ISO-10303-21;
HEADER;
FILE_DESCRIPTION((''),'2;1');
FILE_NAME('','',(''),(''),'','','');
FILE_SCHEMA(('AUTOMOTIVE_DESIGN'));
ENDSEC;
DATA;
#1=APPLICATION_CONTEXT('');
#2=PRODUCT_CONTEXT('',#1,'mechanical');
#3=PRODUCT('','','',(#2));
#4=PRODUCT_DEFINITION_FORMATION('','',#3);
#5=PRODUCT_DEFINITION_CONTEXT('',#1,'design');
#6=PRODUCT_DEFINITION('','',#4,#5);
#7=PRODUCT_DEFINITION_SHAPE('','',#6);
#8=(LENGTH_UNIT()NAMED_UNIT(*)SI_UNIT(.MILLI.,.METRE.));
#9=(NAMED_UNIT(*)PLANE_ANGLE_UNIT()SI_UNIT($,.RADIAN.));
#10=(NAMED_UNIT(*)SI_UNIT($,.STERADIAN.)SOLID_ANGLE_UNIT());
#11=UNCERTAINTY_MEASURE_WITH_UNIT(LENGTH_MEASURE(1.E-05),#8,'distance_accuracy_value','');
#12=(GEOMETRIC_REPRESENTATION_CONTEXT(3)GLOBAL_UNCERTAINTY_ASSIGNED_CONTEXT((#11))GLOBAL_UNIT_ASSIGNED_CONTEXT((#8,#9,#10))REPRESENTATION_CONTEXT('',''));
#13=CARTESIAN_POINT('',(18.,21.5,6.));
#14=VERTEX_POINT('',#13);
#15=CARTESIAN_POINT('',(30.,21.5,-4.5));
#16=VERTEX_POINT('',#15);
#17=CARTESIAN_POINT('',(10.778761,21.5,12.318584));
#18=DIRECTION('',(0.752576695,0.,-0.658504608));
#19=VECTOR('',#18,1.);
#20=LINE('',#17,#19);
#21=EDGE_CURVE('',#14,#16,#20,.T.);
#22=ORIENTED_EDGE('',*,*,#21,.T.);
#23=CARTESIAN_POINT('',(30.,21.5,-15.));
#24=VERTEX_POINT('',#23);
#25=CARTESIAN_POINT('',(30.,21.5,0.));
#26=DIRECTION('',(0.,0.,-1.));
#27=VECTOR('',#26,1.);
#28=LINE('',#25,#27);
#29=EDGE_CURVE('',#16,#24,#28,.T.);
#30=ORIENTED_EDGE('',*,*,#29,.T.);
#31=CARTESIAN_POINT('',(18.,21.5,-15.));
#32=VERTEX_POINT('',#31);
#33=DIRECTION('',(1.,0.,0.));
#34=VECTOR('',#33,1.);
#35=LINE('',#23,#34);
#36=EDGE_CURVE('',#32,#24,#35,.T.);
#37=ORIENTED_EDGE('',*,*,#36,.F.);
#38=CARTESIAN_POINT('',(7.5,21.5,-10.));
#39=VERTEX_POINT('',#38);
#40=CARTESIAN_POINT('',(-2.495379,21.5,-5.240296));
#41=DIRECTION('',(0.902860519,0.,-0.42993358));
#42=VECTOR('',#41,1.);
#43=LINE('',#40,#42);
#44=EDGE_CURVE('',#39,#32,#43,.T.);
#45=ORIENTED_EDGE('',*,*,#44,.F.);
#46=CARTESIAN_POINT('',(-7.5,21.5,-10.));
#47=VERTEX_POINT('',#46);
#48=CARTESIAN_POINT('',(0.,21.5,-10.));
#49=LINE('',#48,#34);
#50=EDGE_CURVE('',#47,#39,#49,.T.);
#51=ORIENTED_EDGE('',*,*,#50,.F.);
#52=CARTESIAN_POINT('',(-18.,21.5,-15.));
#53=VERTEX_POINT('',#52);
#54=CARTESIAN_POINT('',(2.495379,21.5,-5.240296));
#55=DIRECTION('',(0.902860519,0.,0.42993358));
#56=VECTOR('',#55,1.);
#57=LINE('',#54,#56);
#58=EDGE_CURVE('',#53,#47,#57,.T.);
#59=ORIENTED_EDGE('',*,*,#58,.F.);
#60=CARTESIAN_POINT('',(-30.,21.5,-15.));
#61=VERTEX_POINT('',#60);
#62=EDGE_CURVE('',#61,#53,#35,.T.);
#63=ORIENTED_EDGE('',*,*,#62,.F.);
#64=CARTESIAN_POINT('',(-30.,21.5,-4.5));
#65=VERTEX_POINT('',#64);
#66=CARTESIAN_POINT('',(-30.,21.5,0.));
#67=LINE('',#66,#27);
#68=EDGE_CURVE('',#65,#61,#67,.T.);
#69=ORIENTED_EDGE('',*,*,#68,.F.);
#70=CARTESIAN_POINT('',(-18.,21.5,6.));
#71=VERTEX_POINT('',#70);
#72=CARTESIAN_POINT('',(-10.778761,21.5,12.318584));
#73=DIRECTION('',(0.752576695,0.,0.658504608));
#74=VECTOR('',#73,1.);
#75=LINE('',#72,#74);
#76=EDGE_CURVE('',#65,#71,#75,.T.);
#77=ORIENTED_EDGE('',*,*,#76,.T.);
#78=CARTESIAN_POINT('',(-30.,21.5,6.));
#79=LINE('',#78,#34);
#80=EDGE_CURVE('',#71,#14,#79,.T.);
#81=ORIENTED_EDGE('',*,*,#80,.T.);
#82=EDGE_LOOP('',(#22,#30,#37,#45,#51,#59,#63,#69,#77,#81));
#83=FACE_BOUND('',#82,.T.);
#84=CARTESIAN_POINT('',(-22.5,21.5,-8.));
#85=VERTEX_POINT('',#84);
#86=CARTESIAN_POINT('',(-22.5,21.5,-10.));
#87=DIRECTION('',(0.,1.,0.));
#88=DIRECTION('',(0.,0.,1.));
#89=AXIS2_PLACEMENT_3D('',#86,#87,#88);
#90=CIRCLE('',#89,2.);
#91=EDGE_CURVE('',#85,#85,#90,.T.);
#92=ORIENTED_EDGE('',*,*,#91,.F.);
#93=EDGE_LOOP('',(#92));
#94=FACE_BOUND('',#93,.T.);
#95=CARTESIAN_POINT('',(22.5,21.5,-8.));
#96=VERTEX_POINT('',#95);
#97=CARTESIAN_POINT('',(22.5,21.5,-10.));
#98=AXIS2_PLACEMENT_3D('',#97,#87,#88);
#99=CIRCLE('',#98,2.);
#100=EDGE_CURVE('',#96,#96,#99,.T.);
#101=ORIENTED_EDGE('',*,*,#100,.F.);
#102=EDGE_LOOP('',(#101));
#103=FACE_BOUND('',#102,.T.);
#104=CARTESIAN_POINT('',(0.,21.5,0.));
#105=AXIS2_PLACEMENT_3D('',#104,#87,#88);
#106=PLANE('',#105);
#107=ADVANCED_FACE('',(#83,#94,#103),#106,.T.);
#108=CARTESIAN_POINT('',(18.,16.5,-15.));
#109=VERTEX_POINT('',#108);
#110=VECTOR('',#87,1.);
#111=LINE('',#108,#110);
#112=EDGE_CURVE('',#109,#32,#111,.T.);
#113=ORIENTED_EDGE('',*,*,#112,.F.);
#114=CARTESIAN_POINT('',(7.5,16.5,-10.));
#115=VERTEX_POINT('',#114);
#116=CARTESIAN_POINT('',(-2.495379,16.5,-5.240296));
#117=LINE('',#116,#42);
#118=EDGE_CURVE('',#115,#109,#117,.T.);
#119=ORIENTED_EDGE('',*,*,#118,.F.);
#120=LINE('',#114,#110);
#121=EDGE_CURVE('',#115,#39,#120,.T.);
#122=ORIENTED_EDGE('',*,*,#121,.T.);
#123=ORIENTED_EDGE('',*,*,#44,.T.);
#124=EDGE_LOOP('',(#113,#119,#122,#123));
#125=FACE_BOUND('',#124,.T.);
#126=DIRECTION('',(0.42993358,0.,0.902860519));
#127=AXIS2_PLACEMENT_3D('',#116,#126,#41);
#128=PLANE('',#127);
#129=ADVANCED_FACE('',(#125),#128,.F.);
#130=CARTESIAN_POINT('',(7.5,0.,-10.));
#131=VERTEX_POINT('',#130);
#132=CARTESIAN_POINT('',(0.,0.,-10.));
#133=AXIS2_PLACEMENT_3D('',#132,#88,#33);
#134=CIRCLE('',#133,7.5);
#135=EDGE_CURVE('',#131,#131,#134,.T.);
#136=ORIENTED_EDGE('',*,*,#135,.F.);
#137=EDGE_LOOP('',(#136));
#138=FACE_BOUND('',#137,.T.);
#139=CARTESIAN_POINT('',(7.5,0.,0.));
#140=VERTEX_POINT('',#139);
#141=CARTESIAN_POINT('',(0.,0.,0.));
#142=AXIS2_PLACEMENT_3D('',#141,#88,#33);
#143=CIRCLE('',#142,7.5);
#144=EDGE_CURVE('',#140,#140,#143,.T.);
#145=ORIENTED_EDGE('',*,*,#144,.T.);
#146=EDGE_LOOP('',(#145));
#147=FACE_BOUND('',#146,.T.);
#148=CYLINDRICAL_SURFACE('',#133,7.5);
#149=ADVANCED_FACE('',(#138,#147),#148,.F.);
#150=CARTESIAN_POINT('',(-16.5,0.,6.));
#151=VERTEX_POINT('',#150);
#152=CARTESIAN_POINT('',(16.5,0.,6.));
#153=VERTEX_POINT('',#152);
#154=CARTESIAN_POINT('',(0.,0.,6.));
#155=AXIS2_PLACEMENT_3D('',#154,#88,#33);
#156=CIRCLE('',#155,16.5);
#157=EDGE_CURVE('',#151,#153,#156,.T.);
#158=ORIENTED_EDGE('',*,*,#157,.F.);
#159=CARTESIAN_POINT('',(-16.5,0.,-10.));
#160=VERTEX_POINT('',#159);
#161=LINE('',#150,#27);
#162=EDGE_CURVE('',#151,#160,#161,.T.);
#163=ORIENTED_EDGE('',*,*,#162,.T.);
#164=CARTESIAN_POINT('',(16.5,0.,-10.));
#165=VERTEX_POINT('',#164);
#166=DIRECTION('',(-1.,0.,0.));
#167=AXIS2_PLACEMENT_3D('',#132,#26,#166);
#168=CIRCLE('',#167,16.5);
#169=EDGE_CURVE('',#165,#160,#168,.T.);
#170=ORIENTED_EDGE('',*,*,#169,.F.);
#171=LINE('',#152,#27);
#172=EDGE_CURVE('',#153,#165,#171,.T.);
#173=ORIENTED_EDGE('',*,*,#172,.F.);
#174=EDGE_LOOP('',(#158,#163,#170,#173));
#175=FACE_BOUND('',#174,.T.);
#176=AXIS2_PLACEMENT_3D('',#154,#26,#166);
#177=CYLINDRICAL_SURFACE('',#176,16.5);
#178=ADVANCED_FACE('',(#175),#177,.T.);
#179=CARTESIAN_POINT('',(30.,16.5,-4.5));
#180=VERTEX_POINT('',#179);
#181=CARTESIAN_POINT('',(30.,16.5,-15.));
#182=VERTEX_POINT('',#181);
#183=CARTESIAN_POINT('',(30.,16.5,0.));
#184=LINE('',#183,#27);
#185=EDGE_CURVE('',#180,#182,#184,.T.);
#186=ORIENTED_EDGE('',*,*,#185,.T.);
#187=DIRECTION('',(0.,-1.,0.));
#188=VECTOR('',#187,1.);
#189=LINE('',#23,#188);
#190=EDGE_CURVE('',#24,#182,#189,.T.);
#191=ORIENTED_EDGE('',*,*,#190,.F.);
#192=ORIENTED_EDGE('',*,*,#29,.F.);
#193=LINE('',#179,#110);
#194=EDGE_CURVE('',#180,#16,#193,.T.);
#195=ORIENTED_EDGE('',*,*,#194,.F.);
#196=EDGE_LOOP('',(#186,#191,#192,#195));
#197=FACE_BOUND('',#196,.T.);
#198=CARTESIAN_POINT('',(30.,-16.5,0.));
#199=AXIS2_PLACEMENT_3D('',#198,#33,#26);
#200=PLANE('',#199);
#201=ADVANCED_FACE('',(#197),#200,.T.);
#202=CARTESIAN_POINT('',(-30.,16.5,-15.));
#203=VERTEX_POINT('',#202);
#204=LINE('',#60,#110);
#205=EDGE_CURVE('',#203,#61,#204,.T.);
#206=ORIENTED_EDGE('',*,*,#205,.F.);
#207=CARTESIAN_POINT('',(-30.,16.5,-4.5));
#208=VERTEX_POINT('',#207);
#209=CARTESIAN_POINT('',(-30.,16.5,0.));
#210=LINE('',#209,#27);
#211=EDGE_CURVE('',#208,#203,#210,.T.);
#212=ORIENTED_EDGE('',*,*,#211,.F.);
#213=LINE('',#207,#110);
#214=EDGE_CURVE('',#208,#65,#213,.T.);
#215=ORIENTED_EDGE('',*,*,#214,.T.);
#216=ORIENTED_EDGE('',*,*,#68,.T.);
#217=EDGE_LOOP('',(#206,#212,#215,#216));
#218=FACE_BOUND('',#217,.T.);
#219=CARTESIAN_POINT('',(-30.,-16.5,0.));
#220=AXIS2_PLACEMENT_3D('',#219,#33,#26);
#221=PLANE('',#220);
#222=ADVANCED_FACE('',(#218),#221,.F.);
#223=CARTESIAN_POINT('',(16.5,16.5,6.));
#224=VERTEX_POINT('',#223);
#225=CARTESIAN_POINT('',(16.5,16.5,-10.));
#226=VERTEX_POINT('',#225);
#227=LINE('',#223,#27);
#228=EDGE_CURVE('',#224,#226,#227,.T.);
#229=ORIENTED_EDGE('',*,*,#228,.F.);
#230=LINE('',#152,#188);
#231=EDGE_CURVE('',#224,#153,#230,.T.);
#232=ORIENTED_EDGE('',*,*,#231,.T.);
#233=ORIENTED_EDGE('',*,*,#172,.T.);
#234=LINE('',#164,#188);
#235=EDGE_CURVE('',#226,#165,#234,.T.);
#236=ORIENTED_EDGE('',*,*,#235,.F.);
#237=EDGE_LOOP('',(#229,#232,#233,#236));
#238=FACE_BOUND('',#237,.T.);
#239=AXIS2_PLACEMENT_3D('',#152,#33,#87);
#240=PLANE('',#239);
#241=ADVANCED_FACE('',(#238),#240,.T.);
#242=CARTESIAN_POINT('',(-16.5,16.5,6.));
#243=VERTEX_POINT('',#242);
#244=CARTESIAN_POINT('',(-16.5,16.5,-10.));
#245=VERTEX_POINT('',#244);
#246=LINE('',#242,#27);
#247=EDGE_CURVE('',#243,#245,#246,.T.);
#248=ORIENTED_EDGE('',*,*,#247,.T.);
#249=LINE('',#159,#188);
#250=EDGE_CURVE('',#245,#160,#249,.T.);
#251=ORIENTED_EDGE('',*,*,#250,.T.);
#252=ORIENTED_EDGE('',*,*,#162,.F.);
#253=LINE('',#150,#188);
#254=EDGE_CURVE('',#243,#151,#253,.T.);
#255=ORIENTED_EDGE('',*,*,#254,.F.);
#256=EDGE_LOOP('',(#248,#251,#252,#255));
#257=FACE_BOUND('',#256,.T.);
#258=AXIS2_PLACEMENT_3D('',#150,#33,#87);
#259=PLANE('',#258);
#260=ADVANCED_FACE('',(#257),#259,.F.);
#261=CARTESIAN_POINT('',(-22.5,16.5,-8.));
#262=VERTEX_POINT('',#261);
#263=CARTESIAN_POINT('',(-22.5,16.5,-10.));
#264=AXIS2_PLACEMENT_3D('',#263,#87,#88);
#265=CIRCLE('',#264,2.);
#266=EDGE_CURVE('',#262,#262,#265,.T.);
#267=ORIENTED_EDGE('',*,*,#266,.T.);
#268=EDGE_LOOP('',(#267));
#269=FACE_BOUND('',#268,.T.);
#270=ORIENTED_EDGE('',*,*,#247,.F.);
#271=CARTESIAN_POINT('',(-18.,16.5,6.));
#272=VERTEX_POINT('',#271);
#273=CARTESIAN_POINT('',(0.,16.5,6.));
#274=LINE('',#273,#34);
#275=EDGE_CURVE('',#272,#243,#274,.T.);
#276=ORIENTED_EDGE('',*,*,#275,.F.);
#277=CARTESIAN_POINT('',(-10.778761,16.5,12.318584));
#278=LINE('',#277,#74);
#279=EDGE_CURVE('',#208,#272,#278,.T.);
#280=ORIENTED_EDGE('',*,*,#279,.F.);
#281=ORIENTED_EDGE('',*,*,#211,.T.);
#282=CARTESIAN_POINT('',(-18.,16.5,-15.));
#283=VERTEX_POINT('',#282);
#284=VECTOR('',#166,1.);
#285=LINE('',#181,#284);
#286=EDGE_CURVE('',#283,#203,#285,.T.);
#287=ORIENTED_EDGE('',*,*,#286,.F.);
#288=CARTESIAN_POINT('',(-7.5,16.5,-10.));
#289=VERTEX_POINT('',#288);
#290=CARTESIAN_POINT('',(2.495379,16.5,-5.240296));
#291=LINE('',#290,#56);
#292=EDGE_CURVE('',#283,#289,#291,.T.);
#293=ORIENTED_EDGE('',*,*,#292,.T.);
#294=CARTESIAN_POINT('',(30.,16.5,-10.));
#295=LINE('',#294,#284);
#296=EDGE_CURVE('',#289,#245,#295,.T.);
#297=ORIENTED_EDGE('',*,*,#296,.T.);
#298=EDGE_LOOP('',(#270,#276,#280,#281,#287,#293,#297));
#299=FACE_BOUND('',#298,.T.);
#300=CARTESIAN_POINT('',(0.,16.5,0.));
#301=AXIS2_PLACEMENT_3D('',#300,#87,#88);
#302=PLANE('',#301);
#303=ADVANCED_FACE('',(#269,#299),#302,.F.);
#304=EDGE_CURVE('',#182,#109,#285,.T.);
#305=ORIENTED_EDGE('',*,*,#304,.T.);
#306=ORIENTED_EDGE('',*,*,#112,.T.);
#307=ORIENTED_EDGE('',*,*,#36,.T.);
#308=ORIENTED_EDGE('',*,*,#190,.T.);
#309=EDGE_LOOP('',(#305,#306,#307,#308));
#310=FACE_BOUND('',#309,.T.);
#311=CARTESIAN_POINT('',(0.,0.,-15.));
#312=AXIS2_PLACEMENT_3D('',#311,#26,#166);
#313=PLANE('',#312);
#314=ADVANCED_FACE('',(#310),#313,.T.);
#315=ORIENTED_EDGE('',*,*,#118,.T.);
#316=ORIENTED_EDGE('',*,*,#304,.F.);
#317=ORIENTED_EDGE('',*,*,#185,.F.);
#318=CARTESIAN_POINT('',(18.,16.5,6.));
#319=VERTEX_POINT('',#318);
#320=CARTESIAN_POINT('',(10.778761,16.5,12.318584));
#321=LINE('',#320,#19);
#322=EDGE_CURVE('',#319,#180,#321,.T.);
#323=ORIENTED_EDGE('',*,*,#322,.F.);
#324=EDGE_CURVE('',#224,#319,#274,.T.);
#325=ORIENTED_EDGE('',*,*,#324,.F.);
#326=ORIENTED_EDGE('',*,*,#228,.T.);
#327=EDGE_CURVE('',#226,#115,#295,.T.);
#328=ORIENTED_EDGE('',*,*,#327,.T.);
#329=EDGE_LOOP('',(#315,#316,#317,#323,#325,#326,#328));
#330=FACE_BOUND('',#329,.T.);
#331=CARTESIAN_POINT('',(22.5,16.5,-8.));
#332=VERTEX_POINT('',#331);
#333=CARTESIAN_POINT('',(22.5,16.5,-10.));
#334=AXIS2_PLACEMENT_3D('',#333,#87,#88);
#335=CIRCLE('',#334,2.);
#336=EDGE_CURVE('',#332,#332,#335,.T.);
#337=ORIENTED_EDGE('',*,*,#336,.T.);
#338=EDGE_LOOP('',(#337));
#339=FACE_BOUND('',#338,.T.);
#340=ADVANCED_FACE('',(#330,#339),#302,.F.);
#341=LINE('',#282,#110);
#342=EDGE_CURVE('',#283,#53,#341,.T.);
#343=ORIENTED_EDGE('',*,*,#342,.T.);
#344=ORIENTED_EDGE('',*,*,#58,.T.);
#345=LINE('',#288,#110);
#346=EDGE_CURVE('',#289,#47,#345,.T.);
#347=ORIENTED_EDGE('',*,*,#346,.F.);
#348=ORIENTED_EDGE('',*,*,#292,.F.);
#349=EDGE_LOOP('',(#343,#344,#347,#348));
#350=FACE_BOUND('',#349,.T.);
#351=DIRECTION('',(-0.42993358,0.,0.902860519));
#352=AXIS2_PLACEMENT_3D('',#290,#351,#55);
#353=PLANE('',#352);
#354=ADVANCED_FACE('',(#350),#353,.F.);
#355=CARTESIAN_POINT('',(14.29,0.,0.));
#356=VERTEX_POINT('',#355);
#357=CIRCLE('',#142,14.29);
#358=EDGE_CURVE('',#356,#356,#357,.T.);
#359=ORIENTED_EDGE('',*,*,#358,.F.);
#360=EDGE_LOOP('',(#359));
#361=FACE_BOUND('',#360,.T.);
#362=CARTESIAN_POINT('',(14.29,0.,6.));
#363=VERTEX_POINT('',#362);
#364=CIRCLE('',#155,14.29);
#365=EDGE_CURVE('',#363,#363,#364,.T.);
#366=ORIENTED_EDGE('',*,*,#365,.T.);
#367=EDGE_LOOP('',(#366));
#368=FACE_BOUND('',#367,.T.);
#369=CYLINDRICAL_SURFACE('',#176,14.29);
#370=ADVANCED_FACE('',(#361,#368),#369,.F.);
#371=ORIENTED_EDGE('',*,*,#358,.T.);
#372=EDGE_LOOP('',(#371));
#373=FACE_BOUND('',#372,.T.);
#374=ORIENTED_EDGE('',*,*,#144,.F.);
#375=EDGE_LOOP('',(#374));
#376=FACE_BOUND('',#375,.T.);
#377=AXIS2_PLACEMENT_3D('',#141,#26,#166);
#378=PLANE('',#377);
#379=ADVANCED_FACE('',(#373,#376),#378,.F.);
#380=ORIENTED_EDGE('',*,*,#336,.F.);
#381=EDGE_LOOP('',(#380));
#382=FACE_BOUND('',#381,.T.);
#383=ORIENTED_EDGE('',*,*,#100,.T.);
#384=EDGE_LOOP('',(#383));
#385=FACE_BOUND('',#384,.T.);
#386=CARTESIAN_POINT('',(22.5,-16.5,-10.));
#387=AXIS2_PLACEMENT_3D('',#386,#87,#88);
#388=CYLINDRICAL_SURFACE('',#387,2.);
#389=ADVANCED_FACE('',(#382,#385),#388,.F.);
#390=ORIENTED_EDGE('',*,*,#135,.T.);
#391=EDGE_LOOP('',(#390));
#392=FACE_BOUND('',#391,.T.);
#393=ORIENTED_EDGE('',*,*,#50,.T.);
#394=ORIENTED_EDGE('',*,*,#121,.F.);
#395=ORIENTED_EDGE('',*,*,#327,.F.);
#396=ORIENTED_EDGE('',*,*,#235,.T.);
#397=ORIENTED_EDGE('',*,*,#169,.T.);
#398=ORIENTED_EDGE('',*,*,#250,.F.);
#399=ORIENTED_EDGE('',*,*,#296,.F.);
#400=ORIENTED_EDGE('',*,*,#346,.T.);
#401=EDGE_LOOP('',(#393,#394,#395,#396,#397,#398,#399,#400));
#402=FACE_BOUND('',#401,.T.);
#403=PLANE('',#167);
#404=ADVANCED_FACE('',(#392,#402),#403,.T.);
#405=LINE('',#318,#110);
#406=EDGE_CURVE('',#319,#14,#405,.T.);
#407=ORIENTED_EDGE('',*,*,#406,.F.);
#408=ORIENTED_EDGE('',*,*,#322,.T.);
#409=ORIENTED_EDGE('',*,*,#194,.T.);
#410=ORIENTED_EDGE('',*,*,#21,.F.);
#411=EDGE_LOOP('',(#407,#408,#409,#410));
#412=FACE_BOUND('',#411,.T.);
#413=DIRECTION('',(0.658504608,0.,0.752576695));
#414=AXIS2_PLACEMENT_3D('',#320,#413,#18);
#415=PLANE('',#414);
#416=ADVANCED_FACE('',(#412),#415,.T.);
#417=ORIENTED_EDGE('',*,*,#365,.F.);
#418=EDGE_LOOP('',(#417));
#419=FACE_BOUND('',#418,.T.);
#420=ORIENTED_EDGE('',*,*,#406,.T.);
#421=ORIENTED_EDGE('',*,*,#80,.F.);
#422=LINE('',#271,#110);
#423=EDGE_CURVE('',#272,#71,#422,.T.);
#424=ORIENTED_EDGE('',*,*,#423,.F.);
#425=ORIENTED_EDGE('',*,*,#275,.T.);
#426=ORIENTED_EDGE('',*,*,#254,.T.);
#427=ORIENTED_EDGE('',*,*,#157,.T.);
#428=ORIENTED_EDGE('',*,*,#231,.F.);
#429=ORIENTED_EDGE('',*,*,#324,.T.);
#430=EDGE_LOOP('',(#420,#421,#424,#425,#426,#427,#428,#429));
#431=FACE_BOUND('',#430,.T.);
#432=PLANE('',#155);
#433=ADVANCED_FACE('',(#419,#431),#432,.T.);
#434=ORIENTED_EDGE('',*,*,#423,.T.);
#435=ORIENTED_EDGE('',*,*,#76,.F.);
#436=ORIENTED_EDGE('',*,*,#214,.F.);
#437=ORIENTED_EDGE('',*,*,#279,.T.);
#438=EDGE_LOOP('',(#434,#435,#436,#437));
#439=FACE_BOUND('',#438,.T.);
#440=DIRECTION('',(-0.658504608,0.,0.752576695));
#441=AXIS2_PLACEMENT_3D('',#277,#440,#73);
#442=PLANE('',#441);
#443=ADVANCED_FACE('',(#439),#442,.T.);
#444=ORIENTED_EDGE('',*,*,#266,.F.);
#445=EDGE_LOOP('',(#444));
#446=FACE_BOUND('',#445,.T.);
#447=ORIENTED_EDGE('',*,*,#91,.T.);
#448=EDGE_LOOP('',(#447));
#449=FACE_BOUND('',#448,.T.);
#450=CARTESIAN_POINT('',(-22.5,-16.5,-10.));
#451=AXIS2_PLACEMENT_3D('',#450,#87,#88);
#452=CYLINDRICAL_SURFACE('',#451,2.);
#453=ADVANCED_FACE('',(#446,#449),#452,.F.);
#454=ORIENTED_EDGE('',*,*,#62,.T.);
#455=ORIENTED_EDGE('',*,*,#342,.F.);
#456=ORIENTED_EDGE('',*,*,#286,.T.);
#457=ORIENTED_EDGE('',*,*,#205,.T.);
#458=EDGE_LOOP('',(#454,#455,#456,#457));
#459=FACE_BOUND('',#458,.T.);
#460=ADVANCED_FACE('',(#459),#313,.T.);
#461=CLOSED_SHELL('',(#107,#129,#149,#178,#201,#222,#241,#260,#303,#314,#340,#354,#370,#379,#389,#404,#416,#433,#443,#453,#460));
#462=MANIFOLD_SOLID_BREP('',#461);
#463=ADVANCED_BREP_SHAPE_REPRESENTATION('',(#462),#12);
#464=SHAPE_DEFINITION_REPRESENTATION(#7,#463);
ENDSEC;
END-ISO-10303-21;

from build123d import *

# Parameters (mm, degrees)
ESQUISSE1_R             = 16.5
ESQUISSE1_R_2           = 14.29
BOSS_EXTRU_1_DEPTH      = 6
BOSS_EXTRU_2_START      = 10
ESQUISSE2_R             = 16.5
BOSS_EXTRU_2_DEPTH      = 10
BOSS_EXTRU_3_DEPTH      = 5
BOSS_EXTRU_4_DEPTH      = 16
ESQUISSE7_R             = 2
ESQUISSE7_W             = 60
ESQUISSE7_H             = 4
ENL_V_MAT_EXTRU_1_DEPTH = 57.071383076
ESQUISSE8_R             = 7.5
ENL_V_MAT_EXTRU_2_DEPTH = 39.23937761
ESQUISSE10_W            = 60
ESQUISSE10_H            = 5
BOSS_EXTRU_5_DEPTH      = 5
ESQUISSE11_W            = 15
ESQUISSE11_H            = 5
ENL_V_MAT_EXTRU_4_DEPTH = 5


with BuildPart() as part:
    # Esquisse1 → Boss.-Extru.1 (new body)
    with BuildSketch(Plane.XY):
        Circle(ESQUISSE1_R)
        Circle(ESQUISSE1_R_2, mode=Mode.SUBTRACT)
    extrude(amount=BOSS_EXTRU_1_DEPTH)

    # Esquisse2 → Boss.-Extru.2 (add)
    with BuildSketch(Plane(origin=(0, 0, 0), x_dir=(-1, 0, 0), z_dir=(0, 0, -1)).offset(BOSS_EXTRU_2_START)):
        Circle(ESQUISSE2_R)
    extrude(amount=-BOSS_EXTRU_2_DEPTH)



with BuildPart() as body_2:
    # Esquisse3 → Boss.-Extru.3 (new body)
    with BuildSketch(Plane(origin=(0, 16.5, 0), x_dir=(1, 0, 0), z_dir=(0, 1, 0))):
        Polygon((0, 10), (40, 10), (40, -10), (0, -10), (-40, -10), (-40, 10), align=None)
    extrude(amount=BOSS_EXTRU_3_DEPTH)


with BuildPart() as part_1:
    add(part.part)

    add(body_2.part)  # Boss.-Extru.4 merges body 2
    # Esquisse4 → Boss.-Extru.4 (add)
    with BuildSketch(Plane.XY.offset(-10)):
        with BuildLine():
            ThreePointArc((-16.5, 0), (-11.66726189, 11.66726189), (0, 16.5))
            Line((0, 16.5), (-16.5, 16.5))
            Line((-16.5, 16.5), (-16.5, 0))
        make_face()
        with BuildLine():
            ThreePointArc((16.5, 0), (11.66726189, 11.66726189), (0, 16.5))
            Line((0, 16.5), (16.5, 16.5))
            Line((16.5, 16.5), (16.5, 0))
        make_face()
    extrude(amount=BOSS_EXTRU_4_DEPTH)

    # Esquisse7 → Enlèv. mat.-Extru.1 (cut, through all)
    with BuildSketch(Plane(origin=(0, 21.5, 0), x_dir=(1, 0, 0), z_dir=(0, 1, 0))):
        Polygon((-40, -10), (-30, -10), (-30, -6), (-30, 10), (-40, 10), align=None)
        Polygon((30, -6), (30, -10), (40, -10), (40, 10), (30, 10), align=None)
        with Locations((22.5, 10)):
            Circle(ESQUISSE7_R)
        with Locations((-22.5, 10)):
            Circle(ESQUISSE7_R)
        with Locations((0, -8)):
            Rectangle(ESQUISSE7_W, ESQUISSE7_H)
    extrude(amount=-ENL_V_MAT_EXTRU_1_DEPTH, mode=Mode.SUBTRACT)

    # Esquisse8 → Enlèv. mat.-Extru.2 (cut, through all)
    with BuildSketch(Plane.XY):
        Circle(ESQUISSE8_R)
    extrude(amount=-ENL_V_MAT_EXTRU_2_DEPTH, mode=Mode.SUBTRACT)

    # Esquisse10 → Boss.-Extru.5 (add)
    with BuildSketch(Plane(origin=(0, 0, -10), x_dir=(-1, 0, 0), z_dir=(0, 0, -1))):
        with Locations((0, 19)):
            Rectangle(ESQUISSE10_W, ESQUISSE10_H)
    extrude(amount=BOSS_EXTRU_5_DEPTH)

    # Esquisse11 → Enlèv. mat.-Extru.4 (cut)
    with BuildSketch(Plane(origin=(0, 21.5, 0), x_dir=(1, 0, 0), z_dir=(0, 1, 0))):
        Polygon((-18, -6), (-30, 4.5), (-30, -6), align=None)
        Polygon((30, 4.5), (18, -6), (30, -6), align=None)
        with BuildLine():
            Line((20.5, 10), (24.5, 10))
            ThreePointArc((24.5, 10), (22.5, 12), (20.5, 10))
        make_face()
        with BuildLine():
            ThreePointArc((20.5, 10), (22.5, 8), (24.5, 10))
            Line((24.5, 10), (20.5, 10))
        make_face()
        with BuildLine():
            Line((-24.5, 10), (-20.5, 10))
            ThreePointArc((-20.5, 10), (-22.5, 12), (-24.5, 10))
        make_face()
        with BuildLine():
            ThreePointArc((-24.5, 10), (-22.5, 8), (-20.5, 10))
            Line((-20.5, 10), (-24.5, 10))
        make_face()
        Polygon((-7.5, 15), (-18, 15), (-7.5, 10), align=None)
        with Locations((0, 12.5)):
            Rectangle(ESQUISSE11_W, ESQUISSE11_H)
        Polygon((7.5, 10), (18, 15), (7.5, 15), align=None)
    extrude(amount=-ENL_V_MAT_EXTRU_4_DEPTH, mode=Mode.SUBTRACT)


solid = part_1.part
